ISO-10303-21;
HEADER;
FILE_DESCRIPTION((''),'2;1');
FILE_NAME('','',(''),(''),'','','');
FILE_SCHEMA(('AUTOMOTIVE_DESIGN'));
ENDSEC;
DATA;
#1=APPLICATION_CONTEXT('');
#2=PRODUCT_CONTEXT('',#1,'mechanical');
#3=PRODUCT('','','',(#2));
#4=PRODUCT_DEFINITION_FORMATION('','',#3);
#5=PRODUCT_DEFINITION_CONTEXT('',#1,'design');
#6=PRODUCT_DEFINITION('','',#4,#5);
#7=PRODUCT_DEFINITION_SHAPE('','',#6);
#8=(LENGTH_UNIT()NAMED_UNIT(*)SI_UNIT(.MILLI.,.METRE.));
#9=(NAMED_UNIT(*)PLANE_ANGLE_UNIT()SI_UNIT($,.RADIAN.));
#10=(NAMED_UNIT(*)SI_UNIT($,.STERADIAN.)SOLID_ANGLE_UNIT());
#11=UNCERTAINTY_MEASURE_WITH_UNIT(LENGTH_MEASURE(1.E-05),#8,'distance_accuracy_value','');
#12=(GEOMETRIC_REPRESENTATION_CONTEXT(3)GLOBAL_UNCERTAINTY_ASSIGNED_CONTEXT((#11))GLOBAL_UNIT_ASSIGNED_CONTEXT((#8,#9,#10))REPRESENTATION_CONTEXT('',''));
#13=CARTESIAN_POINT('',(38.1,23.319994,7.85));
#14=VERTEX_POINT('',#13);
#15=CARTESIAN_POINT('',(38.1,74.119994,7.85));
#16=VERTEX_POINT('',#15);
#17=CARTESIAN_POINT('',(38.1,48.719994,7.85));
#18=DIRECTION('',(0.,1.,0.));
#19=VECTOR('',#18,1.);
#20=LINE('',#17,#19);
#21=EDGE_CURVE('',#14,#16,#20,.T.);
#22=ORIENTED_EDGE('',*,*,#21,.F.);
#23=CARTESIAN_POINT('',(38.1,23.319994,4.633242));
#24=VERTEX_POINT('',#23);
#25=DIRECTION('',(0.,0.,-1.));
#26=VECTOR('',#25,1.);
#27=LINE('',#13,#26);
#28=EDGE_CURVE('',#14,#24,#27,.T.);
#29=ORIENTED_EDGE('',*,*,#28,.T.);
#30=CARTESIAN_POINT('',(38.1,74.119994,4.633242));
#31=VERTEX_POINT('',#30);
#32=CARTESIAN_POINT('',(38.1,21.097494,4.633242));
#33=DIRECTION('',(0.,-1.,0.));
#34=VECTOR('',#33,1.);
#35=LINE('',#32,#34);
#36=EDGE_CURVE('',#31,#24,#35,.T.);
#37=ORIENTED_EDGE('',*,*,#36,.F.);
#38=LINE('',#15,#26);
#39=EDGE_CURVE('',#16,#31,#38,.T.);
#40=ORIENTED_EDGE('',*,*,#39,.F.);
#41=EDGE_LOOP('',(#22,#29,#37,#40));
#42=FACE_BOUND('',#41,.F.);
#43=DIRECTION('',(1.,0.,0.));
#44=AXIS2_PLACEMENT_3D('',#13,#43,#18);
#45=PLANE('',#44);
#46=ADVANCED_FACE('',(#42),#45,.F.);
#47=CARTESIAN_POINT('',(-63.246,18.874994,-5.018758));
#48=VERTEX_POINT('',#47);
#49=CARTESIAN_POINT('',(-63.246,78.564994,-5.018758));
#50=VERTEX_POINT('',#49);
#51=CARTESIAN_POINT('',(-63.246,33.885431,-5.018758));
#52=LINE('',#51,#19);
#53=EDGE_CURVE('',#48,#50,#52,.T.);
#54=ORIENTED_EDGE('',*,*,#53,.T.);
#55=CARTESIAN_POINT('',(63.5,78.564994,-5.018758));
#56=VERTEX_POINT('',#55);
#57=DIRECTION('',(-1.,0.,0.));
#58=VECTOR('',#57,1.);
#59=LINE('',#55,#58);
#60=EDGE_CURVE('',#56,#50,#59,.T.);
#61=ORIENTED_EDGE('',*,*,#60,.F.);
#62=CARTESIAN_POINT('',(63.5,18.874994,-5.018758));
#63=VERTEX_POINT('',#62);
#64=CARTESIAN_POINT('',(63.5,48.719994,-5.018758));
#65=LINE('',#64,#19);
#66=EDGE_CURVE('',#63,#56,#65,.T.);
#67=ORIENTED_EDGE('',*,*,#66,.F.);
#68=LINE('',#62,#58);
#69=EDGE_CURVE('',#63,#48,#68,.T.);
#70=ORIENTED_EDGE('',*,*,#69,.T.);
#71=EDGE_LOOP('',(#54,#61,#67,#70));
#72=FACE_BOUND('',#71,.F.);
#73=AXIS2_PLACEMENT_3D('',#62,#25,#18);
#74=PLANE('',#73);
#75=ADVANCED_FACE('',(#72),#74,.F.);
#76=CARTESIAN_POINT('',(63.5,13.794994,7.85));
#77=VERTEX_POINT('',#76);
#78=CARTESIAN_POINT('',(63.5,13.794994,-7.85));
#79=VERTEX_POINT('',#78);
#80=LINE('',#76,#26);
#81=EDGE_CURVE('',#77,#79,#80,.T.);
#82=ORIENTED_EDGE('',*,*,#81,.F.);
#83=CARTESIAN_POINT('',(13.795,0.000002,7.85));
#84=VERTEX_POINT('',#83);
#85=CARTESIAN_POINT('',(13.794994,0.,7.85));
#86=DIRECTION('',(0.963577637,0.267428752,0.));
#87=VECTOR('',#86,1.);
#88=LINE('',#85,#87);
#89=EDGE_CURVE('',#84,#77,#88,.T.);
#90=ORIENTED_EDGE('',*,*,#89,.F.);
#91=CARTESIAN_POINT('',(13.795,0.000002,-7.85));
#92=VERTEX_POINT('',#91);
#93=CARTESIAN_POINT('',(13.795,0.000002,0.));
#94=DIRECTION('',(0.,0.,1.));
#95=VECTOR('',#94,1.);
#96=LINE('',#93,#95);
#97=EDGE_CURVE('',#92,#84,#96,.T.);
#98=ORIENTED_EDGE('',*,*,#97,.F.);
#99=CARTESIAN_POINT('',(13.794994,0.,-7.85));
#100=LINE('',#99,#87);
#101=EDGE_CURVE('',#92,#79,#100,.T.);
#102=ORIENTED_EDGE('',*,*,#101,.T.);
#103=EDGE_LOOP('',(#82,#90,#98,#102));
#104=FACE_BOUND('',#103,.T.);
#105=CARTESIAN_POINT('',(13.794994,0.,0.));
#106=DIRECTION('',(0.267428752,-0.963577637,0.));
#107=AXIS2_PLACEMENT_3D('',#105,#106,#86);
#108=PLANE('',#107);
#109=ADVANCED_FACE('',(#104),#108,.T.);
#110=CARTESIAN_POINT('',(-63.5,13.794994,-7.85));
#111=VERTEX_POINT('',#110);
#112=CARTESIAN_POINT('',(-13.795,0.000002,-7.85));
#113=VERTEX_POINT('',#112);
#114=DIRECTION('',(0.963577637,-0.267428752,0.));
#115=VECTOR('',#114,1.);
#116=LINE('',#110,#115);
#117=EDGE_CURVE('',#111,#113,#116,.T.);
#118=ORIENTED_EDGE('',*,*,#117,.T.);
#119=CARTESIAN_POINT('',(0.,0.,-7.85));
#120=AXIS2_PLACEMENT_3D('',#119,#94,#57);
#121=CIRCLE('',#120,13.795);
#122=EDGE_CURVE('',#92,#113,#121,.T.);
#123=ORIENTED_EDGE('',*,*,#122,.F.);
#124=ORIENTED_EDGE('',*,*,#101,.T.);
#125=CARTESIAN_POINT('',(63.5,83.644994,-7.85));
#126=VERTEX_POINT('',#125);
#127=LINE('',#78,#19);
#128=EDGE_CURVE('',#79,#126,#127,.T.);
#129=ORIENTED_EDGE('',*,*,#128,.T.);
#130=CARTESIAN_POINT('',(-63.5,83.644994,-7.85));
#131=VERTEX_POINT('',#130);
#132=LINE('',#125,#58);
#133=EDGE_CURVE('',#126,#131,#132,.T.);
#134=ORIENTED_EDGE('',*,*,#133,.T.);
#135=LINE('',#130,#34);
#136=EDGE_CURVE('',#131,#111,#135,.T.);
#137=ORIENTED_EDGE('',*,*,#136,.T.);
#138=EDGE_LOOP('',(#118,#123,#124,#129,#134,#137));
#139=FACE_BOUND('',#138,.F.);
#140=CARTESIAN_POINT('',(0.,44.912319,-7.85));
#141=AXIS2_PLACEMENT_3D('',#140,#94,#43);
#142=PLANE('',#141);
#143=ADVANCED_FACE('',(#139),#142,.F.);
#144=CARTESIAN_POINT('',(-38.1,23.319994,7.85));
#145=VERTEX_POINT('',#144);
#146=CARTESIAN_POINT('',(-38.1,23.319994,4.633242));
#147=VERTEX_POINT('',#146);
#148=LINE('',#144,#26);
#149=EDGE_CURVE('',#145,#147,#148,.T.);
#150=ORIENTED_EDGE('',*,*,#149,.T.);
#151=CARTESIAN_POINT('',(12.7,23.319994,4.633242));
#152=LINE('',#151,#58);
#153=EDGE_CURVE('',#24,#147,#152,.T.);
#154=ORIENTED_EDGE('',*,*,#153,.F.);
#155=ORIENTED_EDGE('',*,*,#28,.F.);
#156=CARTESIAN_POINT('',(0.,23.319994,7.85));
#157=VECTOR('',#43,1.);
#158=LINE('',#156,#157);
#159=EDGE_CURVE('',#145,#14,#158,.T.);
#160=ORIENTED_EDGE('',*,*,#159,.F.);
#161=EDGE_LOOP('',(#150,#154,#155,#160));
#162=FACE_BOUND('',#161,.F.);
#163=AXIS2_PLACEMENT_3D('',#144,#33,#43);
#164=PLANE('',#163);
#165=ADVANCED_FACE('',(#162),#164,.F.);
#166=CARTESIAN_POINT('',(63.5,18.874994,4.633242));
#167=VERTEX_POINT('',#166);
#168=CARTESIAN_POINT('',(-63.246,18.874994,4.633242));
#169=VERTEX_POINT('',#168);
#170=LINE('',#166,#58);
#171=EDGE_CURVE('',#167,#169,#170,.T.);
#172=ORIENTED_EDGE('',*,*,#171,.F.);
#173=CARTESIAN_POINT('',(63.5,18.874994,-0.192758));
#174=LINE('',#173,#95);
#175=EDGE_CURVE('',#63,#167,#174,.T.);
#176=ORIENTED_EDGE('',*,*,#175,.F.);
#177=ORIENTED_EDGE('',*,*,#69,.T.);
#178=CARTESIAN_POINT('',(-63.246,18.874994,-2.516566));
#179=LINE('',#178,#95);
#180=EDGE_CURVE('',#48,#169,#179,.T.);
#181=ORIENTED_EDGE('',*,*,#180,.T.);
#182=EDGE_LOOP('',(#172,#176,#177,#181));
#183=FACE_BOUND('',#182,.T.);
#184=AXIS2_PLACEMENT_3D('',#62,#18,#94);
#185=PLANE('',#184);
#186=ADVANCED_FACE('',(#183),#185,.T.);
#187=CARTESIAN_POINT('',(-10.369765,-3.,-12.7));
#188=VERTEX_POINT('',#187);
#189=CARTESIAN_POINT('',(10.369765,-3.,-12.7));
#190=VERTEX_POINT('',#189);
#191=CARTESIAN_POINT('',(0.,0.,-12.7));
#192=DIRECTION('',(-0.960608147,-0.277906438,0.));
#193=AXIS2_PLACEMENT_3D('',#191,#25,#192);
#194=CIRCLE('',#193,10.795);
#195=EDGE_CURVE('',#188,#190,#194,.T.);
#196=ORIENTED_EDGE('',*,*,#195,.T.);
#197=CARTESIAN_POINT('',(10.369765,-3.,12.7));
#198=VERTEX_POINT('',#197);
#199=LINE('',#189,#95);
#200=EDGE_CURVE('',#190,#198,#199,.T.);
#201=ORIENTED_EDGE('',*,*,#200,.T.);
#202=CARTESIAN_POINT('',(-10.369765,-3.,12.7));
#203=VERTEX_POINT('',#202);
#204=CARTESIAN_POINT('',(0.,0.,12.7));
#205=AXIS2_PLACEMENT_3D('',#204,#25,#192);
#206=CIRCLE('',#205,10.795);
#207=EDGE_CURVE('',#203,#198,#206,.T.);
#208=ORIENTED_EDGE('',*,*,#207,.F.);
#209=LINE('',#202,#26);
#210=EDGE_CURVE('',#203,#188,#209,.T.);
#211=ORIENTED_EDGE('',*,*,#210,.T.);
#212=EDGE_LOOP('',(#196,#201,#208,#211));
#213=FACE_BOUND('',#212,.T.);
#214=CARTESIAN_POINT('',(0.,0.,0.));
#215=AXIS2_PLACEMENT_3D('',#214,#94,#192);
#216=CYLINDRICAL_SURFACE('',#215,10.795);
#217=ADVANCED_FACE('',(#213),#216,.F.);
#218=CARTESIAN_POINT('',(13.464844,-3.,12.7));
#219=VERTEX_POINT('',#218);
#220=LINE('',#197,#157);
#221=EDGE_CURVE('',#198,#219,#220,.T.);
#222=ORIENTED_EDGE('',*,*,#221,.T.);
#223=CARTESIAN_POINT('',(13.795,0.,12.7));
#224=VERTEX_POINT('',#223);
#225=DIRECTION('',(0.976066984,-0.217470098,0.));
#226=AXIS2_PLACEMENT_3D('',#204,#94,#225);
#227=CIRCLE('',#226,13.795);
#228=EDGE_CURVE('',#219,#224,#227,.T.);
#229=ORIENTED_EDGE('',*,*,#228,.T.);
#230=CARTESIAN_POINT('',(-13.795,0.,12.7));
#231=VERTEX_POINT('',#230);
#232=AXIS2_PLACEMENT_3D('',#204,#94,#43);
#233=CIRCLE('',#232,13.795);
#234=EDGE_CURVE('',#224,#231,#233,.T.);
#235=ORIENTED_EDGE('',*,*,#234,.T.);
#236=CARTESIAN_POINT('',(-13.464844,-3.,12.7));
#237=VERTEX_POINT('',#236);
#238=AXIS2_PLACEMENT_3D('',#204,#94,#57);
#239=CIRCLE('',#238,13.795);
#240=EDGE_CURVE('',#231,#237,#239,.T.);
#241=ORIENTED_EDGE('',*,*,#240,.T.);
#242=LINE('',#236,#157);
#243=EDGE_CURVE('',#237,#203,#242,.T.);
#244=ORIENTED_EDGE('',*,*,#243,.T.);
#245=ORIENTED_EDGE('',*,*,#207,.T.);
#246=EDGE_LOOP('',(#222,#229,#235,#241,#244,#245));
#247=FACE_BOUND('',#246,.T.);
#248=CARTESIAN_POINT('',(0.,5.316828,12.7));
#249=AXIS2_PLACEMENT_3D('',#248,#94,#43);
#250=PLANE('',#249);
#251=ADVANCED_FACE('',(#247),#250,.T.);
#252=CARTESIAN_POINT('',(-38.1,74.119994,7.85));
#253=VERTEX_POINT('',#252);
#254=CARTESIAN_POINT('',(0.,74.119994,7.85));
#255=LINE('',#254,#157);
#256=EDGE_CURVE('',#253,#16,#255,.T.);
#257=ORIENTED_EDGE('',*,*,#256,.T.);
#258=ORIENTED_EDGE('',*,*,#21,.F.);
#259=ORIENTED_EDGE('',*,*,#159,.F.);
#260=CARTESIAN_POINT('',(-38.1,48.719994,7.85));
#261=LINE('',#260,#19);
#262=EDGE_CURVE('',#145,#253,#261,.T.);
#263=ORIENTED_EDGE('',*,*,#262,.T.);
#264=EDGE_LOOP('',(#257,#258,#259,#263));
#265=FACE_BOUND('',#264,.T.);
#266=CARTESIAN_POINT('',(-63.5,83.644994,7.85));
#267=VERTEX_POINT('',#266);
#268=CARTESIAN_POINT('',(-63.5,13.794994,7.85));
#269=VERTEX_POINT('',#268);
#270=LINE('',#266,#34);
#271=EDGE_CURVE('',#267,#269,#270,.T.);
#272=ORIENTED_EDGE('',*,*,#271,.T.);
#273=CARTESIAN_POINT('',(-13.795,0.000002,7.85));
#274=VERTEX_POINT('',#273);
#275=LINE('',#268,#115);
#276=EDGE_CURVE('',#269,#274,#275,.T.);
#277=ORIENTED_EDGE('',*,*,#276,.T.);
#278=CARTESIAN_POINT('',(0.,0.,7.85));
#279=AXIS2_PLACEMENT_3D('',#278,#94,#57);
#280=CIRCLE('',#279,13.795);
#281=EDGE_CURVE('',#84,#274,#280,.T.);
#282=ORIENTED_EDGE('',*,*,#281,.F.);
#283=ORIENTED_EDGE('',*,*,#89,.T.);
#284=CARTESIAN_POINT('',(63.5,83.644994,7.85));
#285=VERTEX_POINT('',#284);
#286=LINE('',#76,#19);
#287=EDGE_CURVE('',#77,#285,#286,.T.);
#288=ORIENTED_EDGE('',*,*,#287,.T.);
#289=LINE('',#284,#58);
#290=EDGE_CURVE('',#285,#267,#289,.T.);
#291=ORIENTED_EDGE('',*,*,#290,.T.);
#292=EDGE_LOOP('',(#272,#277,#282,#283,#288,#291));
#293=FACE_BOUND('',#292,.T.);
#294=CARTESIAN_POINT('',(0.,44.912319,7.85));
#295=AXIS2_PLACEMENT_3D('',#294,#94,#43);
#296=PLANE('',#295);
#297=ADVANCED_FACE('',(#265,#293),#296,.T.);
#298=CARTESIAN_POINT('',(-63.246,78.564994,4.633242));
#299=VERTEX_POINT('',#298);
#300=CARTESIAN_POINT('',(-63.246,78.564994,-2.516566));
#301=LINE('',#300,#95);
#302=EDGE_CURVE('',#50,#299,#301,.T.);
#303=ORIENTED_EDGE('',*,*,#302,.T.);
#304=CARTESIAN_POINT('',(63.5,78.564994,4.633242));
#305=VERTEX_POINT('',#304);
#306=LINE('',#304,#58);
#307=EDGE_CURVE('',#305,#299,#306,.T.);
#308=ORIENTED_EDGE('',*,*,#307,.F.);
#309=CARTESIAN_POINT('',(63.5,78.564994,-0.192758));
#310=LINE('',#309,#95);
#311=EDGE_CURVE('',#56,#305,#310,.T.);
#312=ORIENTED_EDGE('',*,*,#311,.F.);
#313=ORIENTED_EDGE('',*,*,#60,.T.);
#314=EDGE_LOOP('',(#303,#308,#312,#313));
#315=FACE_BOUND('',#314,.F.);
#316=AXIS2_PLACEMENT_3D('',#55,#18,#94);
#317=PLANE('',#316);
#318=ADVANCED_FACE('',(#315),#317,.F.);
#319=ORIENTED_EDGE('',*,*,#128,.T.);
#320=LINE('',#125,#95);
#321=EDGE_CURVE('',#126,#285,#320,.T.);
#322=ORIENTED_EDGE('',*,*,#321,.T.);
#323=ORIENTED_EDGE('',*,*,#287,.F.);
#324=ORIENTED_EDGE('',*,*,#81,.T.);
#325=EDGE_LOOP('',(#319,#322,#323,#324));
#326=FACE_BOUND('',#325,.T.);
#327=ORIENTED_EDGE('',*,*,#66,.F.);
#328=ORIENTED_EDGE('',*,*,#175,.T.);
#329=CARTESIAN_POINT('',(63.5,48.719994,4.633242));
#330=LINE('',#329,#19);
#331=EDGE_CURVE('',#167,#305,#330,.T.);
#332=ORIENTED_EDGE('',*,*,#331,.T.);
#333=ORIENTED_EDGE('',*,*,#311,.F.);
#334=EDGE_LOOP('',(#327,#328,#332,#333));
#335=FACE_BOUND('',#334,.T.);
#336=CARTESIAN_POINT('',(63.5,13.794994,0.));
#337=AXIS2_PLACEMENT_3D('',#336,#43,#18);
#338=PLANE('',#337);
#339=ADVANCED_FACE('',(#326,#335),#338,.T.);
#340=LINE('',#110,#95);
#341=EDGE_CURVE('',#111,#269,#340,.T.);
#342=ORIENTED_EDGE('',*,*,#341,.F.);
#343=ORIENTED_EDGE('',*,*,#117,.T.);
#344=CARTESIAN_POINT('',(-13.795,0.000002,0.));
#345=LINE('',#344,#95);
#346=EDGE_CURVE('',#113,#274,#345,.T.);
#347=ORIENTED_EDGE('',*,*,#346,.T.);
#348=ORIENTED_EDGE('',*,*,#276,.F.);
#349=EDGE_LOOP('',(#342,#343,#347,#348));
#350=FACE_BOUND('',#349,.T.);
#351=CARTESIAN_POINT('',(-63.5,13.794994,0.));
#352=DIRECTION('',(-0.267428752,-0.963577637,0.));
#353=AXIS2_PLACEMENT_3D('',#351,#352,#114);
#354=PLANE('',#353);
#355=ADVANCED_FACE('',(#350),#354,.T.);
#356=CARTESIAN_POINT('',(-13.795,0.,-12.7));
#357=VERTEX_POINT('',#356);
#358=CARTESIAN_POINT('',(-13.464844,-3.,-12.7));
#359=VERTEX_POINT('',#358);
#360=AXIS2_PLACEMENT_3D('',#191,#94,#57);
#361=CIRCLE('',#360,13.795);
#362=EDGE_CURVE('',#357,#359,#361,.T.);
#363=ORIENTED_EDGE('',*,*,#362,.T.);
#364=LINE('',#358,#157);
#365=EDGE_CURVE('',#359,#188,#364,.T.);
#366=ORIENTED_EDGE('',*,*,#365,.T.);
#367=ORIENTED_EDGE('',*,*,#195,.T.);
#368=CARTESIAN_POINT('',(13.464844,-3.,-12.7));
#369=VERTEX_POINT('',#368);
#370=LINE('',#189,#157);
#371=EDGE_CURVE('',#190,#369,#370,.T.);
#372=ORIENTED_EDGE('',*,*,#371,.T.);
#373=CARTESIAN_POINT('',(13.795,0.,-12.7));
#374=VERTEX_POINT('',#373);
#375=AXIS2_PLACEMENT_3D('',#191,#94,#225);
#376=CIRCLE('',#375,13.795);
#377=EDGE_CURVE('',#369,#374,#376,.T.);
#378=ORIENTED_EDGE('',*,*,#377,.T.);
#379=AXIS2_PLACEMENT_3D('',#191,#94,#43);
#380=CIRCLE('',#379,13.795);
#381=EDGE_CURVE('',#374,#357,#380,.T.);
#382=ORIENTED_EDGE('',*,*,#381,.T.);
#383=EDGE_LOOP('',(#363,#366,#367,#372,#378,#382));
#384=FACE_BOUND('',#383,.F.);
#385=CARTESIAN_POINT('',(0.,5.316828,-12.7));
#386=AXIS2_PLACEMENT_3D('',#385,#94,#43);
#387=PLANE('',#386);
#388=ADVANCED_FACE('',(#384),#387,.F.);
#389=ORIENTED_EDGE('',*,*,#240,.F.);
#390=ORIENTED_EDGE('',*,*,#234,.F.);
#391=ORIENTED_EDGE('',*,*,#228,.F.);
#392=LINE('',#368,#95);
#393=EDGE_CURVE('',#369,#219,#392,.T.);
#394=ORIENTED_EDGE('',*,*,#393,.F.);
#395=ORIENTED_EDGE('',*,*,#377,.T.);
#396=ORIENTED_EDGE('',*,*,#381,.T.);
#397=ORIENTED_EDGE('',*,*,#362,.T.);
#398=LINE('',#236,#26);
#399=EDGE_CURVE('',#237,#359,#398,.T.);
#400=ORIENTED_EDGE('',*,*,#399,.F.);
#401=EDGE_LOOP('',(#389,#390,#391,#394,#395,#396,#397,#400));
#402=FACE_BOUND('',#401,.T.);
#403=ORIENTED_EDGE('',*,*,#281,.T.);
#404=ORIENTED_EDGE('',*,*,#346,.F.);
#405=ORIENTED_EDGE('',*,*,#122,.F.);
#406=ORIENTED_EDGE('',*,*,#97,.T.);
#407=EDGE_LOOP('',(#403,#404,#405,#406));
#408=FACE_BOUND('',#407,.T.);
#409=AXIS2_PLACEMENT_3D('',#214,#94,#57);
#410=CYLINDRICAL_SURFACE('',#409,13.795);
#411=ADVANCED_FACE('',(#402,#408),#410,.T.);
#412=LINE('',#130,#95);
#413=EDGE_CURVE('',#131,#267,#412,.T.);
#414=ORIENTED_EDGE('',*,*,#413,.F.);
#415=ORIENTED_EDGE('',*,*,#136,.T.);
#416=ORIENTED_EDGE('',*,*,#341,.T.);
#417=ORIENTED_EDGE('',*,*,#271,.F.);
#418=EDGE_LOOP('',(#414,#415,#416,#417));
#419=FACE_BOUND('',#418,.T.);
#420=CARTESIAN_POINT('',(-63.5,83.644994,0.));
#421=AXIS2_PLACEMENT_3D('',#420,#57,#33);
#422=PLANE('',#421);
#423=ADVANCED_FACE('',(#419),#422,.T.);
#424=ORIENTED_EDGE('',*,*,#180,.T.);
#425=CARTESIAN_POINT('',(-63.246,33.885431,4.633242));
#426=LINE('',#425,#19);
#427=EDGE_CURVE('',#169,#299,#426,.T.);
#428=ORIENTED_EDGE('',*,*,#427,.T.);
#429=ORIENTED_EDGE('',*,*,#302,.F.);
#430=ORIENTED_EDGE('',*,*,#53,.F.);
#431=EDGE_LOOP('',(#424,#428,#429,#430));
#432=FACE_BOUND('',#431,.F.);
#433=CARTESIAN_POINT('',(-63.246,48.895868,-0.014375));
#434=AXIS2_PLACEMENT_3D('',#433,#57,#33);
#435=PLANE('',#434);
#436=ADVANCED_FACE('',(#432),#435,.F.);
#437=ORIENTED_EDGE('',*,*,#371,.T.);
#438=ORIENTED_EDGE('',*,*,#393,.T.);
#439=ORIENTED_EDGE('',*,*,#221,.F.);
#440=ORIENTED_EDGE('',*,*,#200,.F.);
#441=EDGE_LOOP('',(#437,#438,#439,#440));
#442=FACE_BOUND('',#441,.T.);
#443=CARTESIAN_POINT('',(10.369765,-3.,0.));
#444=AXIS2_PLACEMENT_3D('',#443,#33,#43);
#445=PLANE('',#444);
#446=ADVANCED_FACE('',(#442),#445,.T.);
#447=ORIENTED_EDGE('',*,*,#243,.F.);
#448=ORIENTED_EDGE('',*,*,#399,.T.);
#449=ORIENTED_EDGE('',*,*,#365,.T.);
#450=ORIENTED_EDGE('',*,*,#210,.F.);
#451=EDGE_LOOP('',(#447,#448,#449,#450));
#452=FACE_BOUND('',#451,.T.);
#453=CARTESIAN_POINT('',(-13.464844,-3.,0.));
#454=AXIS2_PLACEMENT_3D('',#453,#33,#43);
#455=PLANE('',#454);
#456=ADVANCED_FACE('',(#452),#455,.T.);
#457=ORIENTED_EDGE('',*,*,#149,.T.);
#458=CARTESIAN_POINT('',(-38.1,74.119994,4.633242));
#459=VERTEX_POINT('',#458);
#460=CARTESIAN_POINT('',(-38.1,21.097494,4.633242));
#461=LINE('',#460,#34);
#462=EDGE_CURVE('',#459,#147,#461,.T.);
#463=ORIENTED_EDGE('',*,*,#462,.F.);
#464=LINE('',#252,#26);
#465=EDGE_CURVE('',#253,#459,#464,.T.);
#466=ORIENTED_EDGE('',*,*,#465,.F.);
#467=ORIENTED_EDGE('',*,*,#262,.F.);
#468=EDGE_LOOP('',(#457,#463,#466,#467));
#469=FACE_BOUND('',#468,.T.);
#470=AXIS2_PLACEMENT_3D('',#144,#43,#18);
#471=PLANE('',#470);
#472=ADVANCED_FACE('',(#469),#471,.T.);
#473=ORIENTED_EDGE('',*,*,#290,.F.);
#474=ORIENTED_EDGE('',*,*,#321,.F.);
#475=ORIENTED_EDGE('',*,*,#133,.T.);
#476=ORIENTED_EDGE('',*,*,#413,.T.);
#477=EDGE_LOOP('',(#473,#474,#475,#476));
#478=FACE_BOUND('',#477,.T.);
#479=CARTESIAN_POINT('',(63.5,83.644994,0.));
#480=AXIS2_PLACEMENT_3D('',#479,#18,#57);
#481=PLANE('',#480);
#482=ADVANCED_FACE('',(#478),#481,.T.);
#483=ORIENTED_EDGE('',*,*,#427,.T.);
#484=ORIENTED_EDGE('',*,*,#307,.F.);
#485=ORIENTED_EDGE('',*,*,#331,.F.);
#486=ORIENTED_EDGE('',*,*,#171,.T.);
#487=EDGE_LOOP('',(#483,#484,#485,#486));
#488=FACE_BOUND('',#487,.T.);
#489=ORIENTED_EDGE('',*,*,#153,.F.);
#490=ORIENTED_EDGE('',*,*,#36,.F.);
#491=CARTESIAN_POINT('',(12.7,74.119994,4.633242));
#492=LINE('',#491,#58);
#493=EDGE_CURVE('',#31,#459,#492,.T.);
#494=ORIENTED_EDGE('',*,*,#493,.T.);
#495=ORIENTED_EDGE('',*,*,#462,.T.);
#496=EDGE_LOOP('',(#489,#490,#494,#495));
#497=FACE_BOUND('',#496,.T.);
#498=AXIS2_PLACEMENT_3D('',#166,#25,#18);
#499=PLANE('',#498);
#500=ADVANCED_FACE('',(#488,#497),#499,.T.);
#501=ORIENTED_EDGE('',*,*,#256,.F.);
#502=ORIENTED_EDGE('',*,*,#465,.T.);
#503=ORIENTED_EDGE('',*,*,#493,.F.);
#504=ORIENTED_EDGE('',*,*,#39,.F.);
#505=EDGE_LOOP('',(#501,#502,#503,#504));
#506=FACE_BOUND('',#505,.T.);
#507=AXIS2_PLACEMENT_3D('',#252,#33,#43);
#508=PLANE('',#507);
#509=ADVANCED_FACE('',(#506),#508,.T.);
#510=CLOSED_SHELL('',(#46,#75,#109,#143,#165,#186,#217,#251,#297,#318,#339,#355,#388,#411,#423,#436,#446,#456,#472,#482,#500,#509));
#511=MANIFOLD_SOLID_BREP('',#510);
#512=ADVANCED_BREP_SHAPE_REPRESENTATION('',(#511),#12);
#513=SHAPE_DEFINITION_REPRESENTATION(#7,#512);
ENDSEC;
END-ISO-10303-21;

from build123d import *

# Parameters (mm, degrees)
F1_DEPTH  = 12.7
F3_DEPTH  = 7.85
F4_W      = 59.69
F4_H      = 9.652
F5_DEPTH  = 127.001
F6_W      = 76.2
F6_H      = 50.8
F7_DEPTH  = 5.08
F9_W      = 62.4130927026
F9_H      = 11.1426808871
F10_DEPTH = 0.254


with BuildPart() as f1:
    # F0 (on Top) → F1 (new body, symmetric)
    with BuildSketch(Plane.XY):
        with BuildLine():
            ThreePointArc((-10.3697649443, -3), (0, 10.795), (10.3697649443, -3))
            Line((10.3697649443, -3), (13.4648440392, -3))
            ThreePointArc((13.4648440392, -3), (13.7122125954, -1.5090562414), (13.795, 0))
            ThreePointArc((13.795, 0), (0, 13.795), (-13.795, 0))
            ThreePointArc((-13.795, 0), (-13.7122125954, -1.5090562414), (-13.4648440392, -3))
            Line((-13.4648440392, -3), (-10.3697649443, -3))
        make_face()
    extrude(amount=F1_DEPTH, both=True)

    # F2 (on Top) → F3 (join, symmetric)
    with BuildSketch(Plane.XY):
        with BuildLine():
            Line((63.5, 13.794994), (63.5, 83.644994))
            Line((63.5, 83.644994), (-63.5, 83.644994))
            Line((-63.5, 83.644994), (-63.5, 13.794994))
            Line((-63.5, 13.794994), (-13.794994, 0))
            ThreePointArc((-13.794994, 0), (0, 13.794994), (13.794994, 0))
            Line((13.794994, 0), (63.5, 13.794994))
        make_face()
    extrude(amount=F3_DEPTH, both=True)

    # F4 (on face) → F5 (cut, through all)
    with BuildSketch(Plane.YZ.offset(63.5)):
        with Locations((48.719994, -0.1927575009)):
            Rectangle(F4_W, F4_H)
    extrude(amount=-F5_DEPTH, mode=Mode.SUBTRACT)

    # F6 (on face) → F7 (cut)
    with BuildSketch(Plane.XY.offset(7.85)):
        with Locations((0, 48.719994)):
            Rectangle(F6_W, F6_H)
    extrude(amount=-F7_DEPTH, mode=Mode.SUBTRACT)

    # F9 (on face) → F10 (join)
    with BuildSketch(Plane(origin=(-63.5, 0, 0), x_dir=(0, -1, 0), z_dir=(-1, 0, 0))):
        with Locations((-48.8958675414, -0.0143751968)):
            Rectangle(F9_W, F9_H)
    extrude(amount=-F10_DEPTH)


solid = f1.part
